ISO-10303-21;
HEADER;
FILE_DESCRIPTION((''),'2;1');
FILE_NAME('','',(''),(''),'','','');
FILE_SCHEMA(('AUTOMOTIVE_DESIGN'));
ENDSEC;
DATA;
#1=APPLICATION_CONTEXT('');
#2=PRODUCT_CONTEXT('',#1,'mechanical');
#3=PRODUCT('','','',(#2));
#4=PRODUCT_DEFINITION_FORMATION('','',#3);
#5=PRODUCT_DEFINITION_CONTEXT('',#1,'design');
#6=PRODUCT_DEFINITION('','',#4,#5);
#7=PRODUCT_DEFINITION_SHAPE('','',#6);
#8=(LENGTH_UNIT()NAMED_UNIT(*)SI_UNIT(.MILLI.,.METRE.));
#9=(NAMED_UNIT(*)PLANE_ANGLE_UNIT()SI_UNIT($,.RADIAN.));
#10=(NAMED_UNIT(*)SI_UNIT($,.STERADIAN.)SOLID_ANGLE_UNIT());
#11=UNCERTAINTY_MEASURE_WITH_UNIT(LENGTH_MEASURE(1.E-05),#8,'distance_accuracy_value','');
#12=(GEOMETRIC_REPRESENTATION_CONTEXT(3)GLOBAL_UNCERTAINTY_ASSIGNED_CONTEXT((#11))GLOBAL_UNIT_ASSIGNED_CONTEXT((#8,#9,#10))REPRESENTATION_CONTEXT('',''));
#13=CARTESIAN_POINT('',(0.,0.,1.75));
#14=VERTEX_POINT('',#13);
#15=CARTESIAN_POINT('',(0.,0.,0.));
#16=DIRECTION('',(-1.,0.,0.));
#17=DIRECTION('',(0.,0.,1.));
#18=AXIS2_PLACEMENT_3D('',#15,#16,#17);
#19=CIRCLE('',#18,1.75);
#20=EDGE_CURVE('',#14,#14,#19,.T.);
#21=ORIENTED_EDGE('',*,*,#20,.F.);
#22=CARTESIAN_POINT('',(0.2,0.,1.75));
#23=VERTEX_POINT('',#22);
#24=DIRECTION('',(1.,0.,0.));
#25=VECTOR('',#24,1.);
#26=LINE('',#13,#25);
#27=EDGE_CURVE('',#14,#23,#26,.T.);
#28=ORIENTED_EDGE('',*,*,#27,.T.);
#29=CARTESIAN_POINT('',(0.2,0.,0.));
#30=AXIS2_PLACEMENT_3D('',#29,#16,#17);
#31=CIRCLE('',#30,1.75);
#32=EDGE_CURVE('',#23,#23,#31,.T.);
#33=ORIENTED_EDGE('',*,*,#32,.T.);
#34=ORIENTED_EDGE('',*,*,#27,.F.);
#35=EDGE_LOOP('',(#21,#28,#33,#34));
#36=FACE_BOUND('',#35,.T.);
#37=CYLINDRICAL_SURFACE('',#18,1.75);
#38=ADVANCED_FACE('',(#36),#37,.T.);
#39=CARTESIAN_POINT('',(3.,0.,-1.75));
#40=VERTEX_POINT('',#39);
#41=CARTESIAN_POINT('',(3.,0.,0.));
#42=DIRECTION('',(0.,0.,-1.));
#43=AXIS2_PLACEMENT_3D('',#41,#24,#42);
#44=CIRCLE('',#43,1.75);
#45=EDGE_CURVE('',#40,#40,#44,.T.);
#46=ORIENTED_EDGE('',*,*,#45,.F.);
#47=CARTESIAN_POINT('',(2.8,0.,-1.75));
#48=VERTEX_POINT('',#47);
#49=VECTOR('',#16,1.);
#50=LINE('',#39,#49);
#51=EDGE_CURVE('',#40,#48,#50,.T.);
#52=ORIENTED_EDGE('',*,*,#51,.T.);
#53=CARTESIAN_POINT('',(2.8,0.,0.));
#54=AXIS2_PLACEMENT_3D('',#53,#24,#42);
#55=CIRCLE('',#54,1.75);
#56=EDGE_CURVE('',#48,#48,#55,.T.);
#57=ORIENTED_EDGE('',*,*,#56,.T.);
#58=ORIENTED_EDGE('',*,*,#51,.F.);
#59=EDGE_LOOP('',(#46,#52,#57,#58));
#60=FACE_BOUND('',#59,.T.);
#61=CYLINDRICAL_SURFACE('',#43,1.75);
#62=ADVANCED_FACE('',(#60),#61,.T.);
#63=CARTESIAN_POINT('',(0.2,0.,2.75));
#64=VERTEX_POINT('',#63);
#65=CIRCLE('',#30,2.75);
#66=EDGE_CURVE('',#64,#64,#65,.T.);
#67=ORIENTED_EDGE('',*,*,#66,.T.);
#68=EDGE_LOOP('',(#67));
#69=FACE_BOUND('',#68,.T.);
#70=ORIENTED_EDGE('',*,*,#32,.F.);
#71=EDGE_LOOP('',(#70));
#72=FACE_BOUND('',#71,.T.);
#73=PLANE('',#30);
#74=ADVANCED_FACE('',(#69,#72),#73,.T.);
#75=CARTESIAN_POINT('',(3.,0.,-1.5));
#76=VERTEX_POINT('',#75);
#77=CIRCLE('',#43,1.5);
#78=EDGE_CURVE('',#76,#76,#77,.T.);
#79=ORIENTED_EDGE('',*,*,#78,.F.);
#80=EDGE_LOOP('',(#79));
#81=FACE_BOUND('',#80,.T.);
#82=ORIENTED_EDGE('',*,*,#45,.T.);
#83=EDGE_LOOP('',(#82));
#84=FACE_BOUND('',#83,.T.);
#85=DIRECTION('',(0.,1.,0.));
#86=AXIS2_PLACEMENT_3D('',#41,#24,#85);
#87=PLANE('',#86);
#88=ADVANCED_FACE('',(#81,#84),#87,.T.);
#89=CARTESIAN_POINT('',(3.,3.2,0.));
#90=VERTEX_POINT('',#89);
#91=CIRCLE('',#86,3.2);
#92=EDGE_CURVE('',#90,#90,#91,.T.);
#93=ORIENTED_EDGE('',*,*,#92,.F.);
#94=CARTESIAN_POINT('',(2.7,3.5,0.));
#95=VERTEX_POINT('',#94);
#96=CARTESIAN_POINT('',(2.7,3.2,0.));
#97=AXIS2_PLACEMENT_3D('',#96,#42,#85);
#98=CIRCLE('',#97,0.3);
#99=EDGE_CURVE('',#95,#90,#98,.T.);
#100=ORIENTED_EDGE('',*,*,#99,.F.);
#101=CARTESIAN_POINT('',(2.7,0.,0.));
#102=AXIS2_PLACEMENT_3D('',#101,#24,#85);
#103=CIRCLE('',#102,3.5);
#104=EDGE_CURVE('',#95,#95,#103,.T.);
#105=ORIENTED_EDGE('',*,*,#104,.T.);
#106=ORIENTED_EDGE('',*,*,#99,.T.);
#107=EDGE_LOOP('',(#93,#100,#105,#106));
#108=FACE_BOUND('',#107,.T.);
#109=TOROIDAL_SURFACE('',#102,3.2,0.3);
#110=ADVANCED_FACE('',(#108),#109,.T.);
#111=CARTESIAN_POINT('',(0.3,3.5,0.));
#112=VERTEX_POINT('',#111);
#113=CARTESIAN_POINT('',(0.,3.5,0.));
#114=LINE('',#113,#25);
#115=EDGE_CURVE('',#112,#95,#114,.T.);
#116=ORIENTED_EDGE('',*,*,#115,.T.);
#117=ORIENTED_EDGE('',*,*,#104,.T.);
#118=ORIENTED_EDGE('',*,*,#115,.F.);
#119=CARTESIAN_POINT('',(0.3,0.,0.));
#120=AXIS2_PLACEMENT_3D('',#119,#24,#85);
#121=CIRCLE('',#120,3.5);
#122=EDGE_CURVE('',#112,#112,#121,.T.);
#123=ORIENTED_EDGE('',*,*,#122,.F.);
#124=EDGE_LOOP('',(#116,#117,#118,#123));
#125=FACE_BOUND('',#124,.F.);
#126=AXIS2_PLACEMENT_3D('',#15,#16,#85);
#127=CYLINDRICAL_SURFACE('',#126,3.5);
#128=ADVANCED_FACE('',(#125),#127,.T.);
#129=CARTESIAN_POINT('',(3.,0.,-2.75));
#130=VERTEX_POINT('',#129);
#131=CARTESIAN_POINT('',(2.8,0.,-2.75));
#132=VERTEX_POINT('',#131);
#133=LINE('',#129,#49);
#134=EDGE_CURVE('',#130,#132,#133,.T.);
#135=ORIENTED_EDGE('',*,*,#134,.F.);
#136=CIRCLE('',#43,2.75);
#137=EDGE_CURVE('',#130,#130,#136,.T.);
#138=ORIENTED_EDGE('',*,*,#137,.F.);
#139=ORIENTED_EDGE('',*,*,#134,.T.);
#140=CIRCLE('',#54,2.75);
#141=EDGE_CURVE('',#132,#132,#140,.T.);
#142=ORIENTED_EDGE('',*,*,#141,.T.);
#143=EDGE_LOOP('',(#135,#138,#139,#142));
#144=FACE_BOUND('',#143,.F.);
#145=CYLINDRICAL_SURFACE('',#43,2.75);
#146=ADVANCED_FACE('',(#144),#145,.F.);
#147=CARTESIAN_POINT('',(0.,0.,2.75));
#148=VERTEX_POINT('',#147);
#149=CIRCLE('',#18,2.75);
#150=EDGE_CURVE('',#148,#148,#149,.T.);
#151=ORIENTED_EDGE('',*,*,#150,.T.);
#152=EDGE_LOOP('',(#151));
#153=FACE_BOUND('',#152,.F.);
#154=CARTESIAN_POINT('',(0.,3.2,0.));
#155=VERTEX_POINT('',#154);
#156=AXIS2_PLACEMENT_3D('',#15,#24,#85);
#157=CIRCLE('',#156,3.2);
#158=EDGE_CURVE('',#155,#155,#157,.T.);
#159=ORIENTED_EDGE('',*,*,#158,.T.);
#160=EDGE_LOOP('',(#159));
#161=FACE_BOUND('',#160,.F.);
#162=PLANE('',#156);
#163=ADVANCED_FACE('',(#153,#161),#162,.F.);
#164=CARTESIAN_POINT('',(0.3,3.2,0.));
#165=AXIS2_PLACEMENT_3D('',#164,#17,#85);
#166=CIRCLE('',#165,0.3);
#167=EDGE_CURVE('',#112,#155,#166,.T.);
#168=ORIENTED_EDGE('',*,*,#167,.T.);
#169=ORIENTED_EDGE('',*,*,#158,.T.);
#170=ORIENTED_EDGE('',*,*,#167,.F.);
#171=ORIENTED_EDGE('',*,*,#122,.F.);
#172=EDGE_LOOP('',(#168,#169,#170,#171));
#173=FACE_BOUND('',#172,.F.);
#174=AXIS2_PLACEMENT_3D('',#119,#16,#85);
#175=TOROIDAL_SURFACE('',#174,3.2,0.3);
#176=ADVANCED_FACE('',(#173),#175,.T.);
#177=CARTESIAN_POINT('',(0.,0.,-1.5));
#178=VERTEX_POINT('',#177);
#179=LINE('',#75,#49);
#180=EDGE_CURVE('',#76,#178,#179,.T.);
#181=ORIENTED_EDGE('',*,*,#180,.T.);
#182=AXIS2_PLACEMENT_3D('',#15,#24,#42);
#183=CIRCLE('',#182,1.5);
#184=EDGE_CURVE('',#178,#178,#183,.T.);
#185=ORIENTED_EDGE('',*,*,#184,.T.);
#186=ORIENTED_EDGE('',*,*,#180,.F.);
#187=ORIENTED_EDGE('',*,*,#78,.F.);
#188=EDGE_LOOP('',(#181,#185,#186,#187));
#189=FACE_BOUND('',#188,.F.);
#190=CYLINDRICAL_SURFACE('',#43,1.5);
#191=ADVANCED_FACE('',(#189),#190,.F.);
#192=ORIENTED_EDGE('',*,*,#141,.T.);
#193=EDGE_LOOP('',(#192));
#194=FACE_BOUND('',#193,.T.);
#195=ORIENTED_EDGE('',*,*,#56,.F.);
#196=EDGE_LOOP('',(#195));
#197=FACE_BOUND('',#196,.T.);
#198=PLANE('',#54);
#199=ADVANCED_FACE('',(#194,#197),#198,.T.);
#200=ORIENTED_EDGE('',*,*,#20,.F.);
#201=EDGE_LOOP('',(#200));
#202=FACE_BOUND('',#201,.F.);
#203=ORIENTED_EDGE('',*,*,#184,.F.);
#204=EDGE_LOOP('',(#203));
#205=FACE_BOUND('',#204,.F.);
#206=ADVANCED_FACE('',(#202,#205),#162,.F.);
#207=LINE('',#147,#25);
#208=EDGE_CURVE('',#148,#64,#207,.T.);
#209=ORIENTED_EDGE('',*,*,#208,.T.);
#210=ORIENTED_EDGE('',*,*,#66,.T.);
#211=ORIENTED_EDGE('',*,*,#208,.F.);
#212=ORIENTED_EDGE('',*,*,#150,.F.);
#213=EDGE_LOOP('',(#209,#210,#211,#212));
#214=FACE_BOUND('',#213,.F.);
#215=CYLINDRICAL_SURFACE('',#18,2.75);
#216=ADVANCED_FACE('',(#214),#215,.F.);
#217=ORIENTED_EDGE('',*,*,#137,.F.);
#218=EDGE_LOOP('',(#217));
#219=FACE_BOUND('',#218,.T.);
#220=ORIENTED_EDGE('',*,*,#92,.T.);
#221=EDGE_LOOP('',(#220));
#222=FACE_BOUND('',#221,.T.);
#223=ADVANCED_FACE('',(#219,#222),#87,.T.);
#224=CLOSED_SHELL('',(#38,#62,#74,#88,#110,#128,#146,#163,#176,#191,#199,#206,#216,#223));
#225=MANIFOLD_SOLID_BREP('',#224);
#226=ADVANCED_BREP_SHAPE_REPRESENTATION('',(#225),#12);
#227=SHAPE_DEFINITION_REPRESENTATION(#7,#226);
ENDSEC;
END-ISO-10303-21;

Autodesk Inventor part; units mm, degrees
ref_plane "YZ Plane" through (0, 0, 0) normal (1, 0, 0) x (0, 1, 0)
ref_plane "XZ Plane" through (0, 0, 0) normal (0, 1, 0) x (-1, 0, 0)
ref_plane "XY Plane" through (0, 0, 0) normal (0, 0, 1) x (1, 0, 0)
sketch "スケッチ1" plane through (0, 0, 0) normal (1, 0, 0) x (0, 1, 0)
  circle A0 centre (0, 0) radius 3.5
  dimension "d0" = 7
extrude "押し出し1" add sketch "スケッチ1" along normal blind 3
sketch "スケッチ2" plane through (3, 0, 0) normal (1, 0, 0) x (0, 0, -1)
  circle A0 centre (0, 0) radius 1.5
  dimension "d3" = 3
extrude "押し出し2" cut sketch "スケッチ2" against normal blind 3
sketch "スケッチ3" plane through (3, 0, 0) normal (1, 0, 0) x (0, 0, -1)
  circle A0 centre (0, 0) radius 1.75
  circle A1 centre (0, 0) radius 2.75
  dimension "d6" = 3.5
  dimension "d7" = 5.5
extrude "押し出し3" cut sketch "スケッチ3" against normal blind 0.2
sketch "スケッチ4" plane through (0, 0, 0) normal (-1, 0, 0) x (0, 0, 1)
  circle A0 centre (0, 0) radius 1.75
  circle A1 centre (0, 0) radius 2.75
  dimension "d10" = 3.5
  dimension "d11" = 5.5
extrude "押し出し4" cut sketch "スケッチ4" against normal blind 0.2
fillet "フィレット1" radius 0.3 1 edges at (3, -3.5, 0)
fillet "フィレット2" radius 0.3 1 edges at (0, -3.5, 0)
properties part number "d7_bearing" material "鋼、合金"
